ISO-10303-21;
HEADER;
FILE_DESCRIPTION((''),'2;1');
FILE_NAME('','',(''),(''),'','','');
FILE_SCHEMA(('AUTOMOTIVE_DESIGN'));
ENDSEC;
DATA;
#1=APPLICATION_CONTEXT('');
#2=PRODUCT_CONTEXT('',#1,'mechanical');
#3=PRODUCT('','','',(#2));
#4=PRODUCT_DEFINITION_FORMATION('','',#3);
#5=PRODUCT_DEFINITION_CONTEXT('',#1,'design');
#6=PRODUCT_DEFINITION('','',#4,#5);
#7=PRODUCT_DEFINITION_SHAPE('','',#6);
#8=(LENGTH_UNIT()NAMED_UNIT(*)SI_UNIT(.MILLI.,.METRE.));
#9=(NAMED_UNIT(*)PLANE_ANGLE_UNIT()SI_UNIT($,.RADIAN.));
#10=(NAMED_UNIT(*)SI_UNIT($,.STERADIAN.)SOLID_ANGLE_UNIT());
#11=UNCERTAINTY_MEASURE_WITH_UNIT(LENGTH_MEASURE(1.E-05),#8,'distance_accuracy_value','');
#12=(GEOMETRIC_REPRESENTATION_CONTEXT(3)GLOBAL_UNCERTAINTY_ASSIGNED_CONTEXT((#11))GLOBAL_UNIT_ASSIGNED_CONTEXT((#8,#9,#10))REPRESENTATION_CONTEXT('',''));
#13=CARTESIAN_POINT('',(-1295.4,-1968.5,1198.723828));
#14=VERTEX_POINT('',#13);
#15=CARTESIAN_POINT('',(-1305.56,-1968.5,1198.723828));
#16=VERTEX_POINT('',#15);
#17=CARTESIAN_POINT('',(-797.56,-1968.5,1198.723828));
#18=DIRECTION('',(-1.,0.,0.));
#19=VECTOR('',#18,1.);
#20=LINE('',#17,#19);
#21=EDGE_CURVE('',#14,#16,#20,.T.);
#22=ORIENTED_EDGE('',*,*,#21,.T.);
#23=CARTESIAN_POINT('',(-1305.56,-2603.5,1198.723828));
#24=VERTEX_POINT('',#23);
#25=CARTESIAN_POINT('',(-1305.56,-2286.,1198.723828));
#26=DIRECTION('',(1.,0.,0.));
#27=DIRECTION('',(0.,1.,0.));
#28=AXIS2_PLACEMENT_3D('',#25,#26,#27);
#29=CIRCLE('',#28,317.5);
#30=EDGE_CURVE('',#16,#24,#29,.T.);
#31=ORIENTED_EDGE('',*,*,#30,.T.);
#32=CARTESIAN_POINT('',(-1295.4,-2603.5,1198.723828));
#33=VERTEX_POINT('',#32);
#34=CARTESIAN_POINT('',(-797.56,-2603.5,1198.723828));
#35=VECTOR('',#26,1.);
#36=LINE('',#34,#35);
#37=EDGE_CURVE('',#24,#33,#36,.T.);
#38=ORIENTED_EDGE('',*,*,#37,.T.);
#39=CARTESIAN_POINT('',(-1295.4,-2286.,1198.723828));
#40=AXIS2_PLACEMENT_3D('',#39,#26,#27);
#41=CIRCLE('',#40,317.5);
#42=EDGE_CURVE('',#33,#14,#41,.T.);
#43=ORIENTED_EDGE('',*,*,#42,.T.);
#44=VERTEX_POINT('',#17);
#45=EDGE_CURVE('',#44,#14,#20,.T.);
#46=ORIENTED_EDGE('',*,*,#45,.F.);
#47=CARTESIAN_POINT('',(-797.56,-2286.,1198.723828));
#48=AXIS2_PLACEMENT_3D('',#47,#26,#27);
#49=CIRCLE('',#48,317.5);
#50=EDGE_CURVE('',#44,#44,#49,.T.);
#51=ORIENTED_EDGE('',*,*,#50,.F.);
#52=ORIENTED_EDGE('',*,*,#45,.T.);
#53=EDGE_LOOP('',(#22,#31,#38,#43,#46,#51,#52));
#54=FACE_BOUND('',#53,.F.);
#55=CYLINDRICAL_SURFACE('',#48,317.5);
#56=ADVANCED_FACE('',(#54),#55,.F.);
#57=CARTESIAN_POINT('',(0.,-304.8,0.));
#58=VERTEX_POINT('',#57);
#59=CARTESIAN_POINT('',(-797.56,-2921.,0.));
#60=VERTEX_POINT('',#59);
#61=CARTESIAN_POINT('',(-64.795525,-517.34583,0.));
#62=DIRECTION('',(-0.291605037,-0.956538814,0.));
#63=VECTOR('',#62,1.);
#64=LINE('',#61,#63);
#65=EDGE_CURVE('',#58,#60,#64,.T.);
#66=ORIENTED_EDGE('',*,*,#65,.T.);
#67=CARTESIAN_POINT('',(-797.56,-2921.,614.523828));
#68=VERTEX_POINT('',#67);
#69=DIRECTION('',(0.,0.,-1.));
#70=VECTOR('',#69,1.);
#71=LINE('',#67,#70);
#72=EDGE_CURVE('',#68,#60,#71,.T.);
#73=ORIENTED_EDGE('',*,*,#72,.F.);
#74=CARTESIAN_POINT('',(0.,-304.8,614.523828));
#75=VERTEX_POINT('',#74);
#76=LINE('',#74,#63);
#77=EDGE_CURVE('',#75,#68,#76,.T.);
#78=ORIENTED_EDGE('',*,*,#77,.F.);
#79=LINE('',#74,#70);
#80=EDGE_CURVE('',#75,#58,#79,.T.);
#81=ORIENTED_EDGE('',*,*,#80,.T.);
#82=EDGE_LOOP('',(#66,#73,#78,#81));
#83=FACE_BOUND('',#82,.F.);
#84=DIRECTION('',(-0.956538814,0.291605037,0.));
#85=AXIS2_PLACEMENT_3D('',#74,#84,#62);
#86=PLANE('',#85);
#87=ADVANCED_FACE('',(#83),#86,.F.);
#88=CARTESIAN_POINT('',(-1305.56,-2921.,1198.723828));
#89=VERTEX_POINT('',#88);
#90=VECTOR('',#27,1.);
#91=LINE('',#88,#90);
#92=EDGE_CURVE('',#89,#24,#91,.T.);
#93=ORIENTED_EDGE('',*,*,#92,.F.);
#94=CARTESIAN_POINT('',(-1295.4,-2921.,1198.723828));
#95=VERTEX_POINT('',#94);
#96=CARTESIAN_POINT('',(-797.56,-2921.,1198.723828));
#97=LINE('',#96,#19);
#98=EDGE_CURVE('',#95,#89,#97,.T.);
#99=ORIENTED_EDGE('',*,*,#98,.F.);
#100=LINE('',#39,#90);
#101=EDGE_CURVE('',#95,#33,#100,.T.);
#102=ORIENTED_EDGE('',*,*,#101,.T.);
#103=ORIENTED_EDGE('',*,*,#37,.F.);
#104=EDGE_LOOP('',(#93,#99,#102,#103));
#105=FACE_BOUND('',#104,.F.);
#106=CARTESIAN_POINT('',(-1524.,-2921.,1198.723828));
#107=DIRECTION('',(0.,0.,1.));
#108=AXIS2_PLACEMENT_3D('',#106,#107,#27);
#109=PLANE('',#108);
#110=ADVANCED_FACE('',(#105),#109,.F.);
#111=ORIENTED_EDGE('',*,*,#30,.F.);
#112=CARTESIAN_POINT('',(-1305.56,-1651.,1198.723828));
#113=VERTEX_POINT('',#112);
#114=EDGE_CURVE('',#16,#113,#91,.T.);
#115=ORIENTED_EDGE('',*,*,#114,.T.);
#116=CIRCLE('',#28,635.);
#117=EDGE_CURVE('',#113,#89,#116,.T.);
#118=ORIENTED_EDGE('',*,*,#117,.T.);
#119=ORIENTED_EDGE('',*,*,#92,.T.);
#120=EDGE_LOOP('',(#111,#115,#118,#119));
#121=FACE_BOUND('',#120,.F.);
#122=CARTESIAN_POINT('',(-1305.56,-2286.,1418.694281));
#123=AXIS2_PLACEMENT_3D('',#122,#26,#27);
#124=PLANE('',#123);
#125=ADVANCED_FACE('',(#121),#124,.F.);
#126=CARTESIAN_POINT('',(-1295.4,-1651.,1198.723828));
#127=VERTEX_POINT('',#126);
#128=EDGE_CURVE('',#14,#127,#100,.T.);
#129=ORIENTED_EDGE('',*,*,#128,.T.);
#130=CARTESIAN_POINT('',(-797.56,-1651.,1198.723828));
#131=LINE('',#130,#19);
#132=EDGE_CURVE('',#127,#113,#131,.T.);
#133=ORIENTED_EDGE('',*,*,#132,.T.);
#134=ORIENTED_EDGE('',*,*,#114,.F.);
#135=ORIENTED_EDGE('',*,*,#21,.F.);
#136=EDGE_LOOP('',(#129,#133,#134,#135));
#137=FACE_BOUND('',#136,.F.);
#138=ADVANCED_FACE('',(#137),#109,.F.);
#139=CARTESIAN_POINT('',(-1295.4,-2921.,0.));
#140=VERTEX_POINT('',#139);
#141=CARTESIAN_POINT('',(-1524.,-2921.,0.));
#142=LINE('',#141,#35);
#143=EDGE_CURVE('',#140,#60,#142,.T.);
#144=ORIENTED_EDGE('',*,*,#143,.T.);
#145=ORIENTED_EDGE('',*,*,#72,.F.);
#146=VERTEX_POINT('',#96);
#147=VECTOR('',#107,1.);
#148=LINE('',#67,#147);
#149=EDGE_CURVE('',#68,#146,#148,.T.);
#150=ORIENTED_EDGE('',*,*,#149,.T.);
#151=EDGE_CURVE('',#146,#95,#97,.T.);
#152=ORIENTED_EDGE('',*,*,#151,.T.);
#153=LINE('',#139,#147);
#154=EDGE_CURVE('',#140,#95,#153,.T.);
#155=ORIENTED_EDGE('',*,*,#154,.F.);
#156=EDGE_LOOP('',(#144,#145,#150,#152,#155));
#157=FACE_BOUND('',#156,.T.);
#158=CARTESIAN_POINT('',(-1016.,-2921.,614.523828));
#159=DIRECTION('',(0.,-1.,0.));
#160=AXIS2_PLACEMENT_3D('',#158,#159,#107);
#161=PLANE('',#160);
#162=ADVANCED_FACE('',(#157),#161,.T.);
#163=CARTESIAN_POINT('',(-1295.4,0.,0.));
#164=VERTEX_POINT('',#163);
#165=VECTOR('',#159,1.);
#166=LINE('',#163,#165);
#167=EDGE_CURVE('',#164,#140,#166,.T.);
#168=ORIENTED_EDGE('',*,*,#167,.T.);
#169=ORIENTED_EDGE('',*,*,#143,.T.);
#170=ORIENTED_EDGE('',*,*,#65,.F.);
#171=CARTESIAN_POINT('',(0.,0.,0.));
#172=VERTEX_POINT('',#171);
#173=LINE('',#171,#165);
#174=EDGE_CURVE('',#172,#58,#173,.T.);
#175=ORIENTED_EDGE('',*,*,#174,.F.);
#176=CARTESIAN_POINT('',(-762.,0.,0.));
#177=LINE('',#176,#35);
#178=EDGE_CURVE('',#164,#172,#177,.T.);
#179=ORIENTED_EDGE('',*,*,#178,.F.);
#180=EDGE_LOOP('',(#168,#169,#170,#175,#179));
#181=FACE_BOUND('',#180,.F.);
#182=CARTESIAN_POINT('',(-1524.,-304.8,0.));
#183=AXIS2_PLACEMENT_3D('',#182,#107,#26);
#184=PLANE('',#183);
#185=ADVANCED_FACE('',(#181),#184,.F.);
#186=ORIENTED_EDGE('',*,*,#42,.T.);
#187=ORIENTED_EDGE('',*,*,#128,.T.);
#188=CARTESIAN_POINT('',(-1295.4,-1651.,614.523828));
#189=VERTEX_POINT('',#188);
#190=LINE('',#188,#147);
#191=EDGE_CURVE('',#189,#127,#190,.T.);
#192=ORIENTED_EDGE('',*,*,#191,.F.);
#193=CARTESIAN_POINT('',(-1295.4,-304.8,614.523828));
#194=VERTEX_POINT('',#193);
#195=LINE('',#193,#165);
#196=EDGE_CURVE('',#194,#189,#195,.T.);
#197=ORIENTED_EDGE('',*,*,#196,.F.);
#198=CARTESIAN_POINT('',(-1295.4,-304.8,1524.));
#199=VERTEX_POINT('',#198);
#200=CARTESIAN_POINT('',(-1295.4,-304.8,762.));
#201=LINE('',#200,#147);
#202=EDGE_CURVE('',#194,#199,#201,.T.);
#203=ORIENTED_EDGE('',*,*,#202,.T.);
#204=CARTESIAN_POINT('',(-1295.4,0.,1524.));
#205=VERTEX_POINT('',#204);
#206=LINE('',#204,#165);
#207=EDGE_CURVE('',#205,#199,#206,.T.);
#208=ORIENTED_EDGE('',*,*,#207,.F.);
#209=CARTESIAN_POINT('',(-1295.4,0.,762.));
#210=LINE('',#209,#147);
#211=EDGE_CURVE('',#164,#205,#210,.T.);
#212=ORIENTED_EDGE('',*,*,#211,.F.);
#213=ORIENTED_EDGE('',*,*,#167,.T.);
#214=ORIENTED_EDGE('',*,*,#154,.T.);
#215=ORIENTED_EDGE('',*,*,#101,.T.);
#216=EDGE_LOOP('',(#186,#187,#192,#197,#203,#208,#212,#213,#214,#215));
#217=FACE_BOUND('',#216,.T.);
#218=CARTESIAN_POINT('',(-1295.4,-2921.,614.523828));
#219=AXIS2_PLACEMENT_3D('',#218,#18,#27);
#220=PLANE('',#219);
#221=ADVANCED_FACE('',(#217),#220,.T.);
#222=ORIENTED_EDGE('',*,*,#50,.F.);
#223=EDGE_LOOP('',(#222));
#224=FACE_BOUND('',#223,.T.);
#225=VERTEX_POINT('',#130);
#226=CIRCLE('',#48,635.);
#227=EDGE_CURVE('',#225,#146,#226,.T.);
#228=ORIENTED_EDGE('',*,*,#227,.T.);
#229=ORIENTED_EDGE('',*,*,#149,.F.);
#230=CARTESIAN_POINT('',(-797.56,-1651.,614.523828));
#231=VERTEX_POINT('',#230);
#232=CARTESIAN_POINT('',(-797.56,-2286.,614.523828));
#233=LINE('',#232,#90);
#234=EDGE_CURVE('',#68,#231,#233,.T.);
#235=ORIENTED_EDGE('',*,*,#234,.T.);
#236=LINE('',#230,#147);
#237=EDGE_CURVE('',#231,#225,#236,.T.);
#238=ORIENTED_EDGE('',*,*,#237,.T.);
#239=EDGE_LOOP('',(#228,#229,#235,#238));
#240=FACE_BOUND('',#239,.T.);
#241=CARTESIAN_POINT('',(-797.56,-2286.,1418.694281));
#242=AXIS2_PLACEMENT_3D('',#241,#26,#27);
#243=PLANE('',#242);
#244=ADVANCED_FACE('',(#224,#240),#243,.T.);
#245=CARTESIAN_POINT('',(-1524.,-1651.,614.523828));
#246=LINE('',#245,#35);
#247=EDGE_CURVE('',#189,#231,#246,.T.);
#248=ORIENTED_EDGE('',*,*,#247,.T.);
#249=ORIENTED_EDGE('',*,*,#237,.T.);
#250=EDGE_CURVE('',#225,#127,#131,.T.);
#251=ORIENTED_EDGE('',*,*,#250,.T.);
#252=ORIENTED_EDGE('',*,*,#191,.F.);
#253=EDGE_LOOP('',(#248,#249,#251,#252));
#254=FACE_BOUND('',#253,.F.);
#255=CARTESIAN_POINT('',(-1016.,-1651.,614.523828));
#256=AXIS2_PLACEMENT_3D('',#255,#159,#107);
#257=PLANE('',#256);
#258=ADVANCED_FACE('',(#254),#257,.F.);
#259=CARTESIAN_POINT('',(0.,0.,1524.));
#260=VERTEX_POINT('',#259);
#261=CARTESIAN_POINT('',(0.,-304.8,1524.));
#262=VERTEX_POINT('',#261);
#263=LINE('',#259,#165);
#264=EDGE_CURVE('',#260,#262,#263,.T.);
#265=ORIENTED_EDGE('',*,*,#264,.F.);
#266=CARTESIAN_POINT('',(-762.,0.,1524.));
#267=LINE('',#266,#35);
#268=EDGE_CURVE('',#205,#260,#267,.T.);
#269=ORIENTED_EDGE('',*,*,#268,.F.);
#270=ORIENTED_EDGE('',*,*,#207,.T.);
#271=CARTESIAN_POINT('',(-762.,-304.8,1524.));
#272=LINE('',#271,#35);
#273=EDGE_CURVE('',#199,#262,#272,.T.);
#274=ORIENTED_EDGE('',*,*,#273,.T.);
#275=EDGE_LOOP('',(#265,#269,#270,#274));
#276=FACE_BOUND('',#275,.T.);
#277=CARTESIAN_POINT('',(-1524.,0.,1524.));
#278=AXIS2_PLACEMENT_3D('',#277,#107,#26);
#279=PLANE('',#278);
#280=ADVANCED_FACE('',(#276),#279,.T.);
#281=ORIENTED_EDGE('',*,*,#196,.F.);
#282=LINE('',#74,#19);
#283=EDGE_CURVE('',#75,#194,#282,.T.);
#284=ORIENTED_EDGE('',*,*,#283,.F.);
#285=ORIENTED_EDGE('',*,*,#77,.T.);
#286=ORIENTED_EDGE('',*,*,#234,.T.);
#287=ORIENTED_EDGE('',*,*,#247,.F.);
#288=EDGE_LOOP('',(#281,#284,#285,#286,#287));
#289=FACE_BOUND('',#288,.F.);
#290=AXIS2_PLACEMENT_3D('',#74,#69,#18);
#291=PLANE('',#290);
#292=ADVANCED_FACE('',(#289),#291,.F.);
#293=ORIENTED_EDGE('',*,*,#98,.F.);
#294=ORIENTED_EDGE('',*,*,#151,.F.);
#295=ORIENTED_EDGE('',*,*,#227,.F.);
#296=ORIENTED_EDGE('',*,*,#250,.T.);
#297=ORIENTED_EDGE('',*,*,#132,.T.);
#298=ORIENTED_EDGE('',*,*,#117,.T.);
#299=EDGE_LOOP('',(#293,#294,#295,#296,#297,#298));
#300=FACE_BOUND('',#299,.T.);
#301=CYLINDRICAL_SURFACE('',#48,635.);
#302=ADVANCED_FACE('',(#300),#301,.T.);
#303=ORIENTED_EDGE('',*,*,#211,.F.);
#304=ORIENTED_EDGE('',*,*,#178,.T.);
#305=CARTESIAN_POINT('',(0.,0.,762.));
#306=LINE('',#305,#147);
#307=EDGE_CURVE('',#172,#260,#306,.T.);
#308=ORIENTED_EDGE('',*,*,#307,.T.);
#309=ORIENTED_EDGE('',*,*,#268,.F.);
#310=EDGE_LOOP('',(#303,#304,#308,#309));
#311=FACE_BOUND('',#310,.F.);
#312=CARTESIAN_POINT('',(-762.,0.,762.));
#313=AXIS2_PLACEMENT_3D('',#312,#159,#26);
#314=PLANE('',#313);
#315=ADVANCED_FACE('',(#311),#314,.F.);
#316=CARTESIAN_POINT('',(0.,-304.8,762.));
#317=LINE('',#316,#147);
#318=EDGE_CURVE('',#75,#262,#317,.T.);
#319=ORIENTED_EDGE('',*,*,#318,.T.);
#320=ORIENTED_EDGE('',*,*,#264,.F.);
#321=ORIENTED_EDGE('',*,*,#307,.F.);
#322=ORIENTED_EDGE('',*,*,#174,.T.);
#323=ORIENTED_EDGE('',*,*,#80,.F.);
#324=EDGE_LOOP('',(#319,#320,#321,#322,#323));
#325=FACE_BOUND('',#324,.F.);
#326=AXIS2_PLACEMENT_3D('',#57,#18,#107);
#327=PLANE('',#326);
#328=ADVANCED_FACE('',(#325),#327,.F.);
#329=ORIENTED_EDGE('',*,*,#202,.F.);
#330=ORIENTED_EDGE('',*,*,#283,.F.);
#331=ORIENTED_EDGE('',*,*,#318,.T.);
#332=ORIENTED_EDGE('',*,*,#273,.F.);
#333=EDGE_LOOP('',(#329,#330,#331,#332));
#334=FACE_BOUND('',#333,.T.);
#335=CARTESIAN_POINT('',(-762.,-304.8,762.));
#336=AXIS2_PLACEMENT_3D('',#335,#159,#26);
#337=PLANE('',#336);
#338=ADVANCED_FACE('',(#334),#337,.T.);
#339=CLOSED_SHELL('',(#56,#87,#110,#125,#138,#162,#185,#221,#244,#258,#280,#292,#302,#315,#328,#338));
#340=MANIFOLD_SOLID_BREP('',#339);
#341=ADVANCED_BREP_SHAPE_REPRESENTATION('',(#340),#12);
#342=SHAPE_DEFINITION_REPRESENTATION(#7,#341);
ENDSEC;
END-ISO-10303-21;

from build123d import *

# Parameters (mm, degrees)
F0_W      = 1524
F0_H      = 1524
F1_DEPTH  = 304.8
F3_DEPTH  = 2616.2
F4_W      = 508
F4_H      = 1270
F5_DEPTH  = 584.2
F6_DEPTH  = 218.44
F8_DEPTH  = 508
F9_R      = 317.5
F10_DEPTH = 508
F11_DEPTH = 228.6
F13_DEPTH = 1165.86


with BuildPart() as f1:
    # F0 (on Front) → F1 (new body)
    with BuildSketch(Plane.XZ):
        with Locations((-762, 762)):
            Rectangle(F0_W, F0_H)
    extrude(amount=F1_DEPTH)

    # F2 (on face) → F3 (join)
    with BuildSketch(Plane.XZ.offset(304.8)):
        Polygon((-1524, 614.5238280296), (-1524, 0), (-66.4134323597, 0), (0, 0), (0, 614.5238280296), (-66.4134323597, 614.5238280296), align=None)
    extrude(amount=F3_DEPTH)

    # F4 (on face) → F5 (join)
    with BuildSketch(Plane.XY.offset(614.5238280296)):
        with Locations((-1270, -2286)):
            Rectangle(F4_W, F4_H)
    extrude(amount=F5_DEPTH)

    # F6 (add): a face of the model
    f6_faces = [f1.faces().sort_by_distance(p)[0] for p in [
        (-1016, -2286, 906.6238280296),
    ]]
    extrude(f6_faces, amount=F6_DEPTH)

    # F7 (on face) → F8 (join)
    with BuildSketch(Plane.YZ.offset(-797.56)):
        with BuildLine():
            Line((-2921, 1198.7238280296), (-1651, 1198.7238280296))
            ThreePointArc((-1651, 1198.7238280296), (-2286, 1833.7238280296), (-2921, 1198.7238280296))
        make_face()
    extrude(amount=-F8_DEPTH)

    # F9 (on face) → F10 (cut)
    with BuildSketch(Plane.YZ.offset(-797.56)):
        with Locations((-2286, 1198.7238280296)):
            Circle(F9_R)
    extrude(amount=-F10_DEPTH, mode=Mode.SUBTRACT)

    # F11 (cut): a face of the model
    f11_faces = [f1.faces().sort_by_distance(p)[0] for p in [
        (-1524, -1549.2830540632, 540.3397185849),
    ]]
    extrude(f11_faces, amount=-F11_DEPTH, mode=Mode.SUBTRACT)

    # F12 (on face) → F13 (cut)
    with BuildSketch(Plane.XY.offset(614.5238280296)):
        Polygon((0, -304.8), (-797.56, -2921), (0, -2921), align=None)
    extrude(amount=-F13_DEPTH, mode=Mode.SUBTRACT)


solid = f1.part
